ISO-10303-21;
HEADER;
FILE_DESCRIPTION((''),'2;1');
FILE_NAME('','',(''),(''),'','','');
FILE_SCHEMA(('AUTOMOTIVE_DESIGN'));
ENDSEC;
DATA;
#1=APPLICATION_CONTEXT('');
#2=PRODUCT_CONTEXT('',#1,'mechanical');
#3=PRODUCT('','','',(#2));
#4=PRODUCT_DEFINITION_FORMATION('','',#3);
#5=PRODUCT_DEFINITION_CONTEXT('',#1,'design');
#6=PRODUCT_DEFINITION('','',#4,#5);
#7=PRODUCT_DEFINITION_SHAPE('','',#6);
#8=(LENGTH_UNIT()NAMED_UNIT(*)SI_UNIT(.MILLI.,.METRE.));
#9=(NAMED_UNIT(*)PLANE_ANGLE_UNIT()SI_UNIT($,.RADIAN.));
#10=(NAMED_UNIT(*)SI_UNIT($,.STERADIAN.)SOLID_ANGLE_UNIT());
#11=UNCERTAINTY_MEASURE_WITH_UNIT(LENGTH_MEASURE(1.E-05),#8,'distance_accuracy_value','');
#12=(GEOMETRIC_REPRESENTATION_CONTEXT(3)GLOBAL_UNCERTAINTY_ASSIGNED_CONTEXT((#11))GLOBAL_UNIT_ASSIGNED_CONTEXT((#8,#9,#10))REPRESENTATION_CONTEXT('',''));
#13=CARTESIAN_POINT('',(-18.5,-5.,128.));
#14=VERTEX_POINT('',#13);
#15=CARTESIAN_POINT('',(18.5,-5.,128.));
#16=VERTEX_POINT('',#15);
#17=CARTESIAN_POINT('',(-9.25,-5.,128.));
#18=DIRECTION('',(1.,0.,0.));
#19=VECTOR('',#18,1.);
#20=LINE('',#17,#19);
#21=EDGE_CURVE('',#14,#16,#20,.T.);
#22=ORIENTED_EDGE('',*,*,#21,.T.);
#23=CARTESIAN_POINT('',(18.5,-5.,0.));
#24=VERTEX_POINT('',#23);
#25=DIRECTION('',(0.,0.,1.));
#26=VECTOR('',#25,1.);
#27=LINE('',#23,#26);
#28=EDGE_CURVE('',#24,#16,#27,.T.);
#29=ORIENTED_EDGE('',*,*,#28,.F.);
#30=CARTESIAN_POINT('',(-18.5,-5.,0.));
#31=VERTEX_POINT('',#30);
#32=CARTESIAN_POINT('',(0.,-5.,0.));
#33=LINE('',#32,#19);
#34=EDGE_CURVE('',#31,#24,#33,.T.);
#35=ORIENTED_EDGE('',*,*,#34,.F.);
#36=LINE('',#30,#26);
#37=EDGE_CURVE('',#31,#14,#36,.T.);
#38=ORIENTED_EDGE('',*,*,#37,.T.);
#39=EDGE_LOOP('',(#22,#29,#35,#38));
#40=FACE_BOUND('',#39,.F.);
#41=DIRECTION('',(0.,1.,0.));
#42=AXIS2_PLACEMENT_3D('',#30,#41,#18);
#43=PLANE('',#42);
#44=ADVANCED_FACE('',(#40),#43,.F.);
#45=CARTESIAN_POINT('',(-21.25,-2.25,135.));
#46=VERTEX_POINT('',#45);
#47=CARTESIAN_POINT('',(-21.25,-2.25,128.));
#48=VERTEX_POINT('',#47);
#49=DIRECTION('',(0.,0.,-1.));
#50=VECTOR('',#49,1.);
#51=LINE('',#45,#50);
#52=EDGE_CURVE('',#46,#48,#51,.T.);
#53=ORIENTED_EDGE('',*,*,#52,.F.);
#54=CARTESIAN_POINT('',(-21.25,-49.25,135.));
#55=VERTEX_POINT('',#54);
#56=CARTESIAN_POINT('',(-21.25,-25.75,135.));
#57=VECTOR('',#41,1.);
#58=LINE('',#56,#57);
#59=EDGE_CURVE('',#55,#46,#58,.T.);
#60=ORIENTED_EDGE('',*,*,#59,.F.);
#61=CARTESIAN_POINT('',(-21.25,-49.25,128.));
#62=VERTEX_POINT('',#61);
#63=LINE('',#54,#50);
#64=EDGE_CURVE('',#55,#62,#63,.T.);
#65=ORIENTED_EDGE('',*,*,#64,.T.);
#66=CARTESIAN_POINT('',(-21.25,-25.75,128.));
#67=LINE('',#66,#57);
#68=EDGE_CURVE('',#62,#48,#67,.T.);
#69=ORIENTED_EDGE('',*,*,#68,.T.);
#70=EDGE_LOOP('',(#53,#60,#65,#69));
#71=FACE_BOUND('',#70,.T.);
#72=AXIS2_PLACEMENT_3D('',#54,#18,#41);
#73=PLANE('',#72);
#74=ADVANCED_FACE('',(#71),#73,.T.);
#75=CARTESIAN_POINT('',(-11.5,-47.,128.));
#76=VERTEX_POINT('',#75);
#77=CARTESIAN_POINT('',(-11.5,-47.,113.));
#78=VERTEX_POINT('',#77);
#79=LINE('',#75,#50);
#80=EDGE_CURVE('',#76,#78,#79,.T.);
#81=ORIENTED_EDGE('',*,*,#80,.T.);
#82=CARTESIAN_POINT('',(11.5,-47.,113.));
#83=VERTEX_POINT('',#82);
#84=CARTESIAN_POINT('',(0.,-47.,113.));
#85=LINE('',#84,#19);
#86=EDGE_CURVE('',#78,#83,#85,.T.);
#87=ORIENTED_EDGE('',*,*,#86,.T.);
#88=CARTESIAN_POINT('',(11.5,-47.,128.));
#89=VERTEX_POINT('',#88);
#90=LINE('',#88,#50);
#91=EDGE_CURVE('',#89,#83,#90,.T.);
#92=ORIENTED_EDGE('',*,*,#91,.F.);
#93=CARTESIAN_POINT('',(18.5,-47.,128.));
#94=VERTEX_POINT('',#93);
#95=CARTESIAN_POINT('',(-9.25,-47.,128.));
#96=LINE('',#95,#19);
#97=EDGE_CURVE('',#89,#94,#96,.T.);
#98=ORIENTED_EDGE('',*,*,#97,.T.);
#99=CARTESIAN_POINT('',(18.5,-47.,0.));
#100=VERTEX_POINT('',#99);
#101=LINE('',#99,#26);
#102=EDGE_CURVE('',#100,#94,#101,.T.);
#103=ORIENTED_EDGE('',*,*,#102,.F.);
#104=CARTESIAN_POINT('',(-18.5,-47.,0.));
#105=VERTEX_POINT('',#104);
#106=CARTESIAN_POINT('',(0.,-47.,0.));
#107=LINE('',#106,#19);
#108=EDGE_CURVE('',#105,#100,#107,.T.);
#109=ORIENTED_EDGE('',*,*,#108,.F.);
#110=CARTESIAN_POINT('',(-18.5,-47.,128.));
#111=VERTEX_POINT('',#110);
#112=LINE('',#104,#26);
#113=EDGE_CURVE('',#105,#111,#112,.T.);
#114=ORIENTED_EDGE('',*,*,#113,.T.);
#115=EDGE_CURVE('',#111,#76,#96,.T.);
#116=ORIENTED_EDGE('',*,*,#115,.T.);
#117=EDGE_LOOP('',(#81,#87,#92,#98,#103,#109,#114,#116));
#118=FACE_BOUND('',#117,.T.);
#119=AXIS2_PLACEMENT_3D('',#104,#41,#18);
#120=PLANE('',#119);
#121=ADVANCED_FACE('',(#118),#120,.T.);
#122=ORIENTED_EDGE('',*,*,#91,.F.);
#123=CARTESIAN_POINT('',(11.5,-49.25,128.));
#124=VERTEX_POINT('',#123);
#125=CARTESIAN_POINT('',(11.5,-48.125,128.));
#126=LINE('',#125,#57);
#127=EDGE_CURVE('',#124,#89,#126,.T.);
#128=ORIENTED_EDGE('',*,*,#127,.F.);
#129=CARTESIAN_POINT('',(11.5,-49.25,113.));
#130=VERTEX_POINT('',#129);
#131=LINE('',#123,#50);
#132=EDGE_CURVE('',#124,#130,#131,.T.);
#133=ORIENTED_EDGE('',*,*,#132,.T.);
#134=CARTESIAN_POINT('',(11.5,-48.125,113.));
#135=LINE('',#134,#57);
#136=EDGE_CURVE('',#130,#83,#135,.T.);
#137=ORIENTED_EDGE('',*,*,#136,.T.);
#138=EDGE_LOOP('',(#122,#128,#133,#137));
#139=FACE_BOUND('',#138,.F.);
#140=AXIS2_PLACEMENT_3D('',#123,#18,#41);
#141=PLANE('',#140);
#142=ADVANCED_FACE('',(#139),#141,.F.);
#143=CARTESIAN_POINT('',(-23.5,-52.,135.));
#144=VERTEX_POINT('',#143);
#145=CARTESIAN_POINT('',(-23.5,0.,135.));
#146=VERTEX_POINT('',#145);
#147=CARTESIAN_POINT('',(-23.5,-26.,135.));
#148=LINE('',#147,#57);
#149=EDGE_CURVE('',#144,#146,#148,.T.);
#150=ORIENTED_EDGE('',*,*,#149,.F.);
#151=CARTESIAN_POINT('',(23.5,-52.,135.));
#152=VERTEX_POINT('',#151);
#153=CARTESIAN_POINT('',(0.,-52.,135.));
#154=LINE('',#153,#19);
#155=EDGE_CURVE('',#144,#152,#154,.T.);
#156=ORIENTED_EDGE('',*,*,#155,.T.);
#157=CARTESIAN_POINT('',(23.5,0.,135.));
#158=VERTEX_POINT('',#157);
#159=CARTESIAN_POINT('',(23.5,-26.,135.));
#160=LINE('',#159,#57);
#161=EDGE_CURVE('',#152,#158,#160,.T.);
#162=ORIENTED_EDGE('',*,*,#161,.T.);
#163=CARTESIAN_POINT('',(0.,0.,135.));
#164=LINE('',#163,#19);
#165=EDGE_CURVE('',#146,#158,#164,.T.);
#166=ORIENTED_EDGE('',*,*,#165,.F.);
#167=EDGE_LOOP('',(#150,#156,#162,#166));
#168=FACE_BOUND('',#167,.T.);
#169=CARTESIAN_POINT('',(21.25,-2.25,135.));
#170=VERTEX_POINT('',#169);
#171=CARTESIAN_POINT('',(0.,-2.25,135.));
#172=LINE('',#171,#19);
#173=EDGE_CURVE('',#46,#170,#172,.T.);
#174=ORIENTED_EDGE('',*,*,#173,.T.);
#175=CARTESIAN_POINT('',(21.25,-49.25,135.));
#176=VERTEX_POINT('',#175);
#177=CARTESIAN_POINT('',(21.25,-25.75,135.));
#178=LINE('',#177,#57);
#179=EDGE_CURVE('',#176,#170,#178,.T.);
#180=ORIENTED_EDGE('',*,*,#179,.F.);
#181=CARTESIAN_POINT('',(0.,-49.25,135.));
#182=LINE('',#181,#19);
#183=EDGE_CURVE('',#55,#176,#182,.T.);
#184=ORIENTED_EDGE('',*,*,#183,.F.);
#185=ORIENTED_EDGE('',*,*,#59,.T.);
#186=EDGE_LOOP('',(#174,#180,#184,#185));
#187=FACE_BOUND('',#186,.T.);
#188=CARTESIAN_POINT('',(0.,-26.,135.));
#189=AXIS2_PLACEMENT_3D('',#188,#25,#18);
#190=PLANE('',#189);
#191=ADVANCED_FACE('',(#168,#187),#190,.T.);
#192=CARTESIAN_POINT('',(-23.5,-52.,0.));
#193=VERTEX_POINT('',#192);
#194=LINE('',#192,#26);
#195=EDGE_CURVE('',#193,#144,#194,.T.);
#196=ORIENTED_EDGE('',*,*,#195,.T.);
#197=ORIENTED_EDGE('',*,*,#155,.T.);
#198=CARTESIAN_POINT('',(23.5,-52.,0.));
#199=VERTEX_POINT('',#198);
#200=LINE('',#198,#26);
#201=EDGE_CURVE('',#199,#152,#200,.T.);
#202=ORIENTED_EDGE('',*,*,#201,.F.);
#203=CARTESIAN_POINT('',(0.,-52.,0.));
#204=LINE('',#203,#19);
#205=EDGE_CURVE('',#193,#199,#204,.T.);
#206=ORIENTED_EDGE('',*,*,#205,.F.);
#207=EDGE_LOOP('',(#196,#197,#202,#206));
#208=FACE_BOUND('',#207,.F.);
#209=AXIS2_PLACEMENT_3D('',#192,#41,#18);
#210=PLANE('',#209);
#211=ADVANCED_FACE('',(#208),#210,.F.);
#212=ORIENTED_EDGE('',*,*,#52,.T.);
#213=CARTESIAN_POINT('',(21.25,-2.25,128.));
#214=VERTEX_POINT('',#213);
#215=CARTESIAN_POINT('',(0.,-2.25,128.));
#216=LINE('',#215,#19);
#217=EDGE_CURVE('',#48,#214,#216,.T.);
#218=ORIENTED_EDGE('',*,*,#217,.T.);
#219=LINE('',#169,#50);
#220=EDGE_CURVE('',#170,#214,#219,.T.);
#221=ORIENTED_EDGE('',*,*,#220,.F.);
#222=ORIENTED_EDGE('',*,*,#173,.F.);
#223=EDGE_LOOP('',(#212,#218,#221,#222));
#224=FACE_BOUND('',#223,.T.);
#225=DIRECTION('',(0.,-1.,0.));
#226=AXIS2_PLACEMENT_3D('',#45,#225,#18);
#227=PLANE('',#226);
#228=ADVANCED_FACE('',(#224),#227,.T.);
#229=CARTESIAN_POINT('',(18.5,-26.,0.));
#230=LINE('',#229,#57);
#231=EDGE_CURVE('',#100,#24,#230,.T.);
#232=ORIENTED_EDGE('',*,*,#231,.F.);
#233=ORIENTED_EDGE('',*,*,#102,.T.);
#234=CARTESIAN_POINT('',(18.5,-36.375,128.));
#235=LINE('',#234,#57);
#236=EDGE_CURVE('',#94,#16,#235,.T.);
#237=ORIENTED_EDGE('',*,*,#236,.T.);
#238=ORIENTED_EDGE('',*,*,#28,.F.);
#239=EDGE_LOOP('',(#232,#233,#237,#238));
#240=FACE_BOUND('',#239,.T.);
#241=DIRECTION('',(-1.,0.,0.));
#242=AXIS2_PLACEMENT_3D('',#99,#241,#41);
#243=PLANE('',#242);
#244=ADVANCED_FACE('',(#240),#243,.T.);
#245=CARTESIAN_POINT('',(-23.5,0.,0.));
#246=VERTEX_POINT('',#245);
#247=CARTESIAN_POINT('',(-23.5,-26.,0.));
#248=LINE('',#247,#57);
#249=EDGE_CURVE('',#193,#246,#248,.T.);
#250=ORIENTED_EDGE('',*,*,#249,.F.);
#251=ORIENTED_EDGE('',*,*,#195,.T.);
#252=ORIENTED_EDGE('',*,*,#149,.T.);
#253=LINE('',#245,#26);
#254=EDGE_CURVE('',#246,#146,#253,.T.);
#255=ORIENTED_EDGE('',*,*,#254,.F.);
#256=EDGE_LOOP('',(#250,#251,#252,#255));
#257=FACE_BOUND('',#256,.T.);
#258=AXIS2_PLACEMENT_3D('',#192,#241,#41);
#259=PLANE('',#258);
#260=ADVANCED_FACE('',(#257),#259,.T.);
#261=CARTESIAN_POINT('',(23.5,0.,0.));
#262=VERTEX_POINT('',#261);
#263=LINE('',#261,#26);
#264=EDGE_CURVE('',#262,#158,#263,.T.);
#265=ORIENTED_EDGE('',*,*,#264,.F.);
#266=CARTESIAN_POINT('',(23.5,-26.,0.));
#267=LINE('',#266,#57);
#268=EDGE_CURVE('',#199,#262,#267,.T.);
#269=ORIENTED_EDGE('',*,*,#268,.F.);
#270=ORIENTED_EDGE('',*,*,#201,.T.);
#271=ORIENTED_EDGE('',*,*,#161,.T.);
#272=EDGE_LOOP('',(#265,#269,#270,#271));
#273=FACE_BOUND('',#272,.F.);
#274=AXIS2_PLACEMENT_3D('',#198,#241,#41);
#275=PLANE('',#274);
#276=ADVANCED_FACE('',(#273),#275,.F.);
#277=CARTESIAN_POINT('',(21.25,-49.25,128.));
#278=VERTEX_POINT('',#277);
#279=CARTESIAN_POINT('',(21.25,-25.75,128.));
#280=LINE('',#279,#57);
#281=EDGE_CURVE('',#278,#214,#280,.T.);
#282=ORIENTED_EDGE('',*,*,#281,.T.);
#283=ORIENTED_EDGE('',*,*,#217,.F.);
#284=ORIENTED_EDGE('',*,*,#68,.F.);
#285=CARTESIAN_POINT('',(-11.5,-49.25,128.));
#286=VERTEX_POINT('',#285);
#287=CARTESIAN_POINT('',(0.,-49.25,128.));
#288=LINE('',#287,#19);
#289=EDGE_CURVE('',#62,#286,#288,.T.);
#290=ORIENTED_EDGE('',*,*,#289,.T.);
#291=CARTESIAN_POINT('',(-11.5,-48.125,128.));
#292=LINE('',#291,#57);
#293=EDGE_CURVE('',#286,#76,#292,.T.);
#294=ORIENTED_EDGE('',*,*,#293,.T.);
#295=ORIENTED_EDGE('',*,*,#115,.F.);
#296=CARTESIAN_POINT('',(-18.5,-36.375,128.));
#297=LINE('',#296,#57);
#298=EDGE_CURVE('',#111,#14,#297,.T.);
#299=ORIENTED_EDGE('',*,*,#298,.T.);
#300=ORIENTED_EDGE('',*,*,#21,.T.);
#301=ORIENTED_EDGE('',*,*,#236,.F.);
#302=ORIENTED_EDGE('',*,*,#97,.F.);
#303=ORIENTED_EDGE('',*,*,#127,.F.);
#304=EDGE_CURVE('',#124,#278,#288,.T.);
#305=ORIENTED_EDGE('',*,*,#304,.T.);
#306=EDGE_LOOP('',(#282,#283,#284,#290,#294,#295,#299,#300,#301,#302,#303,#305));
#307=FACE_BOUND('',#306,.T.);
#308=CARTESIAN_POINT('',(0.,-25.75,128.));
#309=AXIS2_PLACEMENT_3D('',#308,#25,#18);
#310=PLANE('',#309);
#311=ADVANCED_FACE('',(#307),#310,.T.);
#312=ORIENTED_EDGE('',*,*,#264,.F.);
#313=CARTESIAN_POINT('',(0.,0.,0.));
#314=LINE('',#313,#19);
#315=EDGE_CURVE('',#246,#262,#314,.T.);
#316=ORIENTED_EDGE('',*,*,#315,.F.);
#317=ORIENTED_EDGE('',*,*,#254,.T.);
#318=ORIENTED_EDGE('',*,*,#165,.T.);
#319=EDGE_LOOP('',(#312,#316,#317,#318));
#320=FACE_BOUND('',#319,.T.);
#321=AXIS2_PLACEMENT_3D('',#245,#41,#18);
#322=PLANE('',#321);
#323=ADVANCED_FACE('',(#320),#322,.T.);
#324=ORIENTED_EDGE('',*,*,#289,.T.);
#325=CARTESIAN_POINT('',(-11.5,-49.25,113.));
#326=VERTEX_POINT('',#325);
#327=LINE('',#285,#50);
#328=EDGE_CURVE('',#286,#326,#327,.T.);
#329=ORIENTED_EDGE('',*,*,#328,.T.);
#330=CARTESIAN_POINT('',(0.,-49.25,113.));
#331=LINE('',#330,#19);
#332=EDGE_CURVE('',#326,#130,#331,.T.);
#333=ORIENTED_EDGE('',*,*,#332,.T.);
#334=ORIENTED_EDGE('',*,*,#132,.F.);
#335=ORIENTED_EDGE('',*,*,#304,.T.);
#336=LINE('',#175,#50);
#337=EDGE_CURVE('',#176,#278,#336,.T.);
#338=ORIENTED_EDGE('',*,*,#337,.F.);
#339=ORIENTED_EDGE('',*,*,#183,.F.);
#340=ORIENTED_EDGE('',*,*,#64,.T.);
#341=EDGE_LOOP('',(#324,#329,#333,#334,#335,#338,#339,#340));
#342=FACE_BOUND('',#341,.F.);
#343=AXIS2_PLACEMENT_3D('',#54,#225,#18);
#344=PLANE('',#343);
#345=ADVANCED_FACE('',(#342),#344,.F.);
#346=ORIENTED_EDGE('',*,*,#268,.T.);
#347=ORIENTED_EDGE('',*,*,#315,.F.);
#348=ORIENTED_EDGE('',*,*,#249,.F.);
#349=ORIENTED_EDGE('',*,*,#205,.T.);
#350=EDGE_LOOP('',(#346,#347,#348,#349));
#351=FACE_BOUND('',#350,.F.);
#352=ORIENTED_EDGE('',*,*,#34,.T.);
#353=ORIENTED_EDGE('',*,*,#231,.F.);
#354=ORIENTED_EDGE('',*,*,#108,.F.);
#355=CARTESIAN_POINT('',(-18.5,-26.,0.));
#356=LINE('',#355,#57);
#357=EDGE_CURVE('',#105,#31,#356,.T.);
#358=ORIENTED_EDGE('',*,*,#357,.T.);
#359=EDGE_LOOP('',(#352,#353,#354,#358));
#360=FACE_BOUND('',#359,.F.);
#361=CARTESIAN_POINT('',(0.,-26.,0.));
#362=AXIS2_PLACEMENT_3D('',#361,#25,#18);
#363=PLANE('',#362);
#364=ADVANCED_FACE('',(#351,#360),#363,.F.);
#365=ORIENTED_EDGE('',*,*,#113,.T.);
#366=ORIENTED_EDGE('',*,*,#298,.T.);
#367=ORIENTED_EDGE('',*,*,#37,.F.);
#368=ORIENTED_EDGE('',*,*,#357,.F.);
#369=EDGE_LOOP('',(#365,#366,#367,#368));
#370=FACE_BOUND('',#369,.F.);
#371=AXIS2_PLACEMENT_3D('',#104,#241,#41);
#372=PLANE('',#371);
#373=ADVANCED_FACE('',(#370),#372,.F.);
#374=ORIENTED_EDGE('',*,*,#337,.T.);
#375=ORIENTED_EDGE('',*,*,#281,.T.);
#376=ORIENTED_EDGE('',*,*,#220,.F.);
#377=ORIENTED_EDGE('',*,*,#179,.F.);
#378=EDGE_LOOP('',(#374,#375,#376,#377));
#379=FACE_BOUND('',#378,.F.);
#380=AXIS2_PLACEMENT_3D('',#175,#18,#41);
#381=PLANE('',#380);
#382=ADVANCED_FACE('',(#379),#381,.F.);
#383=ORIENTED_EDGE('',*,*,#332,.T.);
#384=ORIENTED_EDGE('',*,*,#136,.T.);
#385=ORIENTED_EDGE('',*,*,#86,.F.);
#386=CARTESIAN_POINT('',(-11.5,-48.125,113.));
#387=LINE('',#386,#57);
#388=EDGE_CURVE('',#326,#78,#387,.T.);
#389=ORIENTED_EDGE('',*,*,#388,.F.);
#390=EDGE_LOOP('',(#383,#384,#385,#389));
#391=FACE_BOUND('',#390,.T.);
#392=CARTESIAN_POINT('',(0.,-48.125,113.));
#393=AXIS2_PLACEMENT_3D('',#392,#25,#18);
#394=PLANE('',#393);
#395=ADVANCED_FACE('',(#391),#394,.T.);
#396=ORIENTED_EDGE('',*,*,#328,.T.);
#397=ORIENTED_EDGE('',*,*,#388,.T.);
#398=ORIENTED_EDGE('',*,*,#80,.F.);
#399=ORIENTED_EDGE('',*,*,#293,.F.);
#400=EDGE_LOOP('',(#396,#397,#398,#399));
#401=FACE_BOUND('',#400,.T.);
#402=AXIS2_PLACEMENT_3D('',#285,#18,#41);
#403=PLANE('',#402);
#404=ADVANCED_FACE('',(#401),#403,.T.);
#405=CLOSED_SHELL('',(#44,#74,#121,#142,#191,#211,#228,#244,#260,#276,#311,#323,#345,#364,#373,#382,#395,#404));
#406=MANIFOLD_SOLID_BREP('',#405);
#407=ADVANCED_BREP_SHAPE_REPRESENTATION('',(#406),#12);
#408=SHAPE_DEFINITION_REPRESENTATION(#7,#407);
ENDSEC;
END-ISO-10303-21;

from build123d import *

# Parameters (mm, degrees)
SKETCH110_W     = 47
SKETCH110_H     = 52
SKETCH110_W_2   = 37
SKETCH110_H_2   = 42
PAD057_DEPTH    = 135
SKETCH111_W     = 42.5
SKETCH111_H     = 47
POCKET049_DEPTH = 7
SKETCH117_W     = 23
SKETCH117_H     = 2.25
POCKET_DEPTH    = 15


with BuildPart() as part:
    # Sketch110 → Pad057 (new body)
    with BuildSketch(Plane.XY):
        with Locations((0, -26)):
            Rectangle(SKETCH110_W, SKETCH110_H)
        with Locations((0, -26)):
            Rectangle(SKETCH110_W_2, SKETCH110_H_2, mode=Mode.SUBTRACT)
    extrude(amount=PAD057_DEPTH)

    # Sketch111 (on Face10 of Pad057) → Pocket049 (cut)
    with BuildSketch(Plane.XY.offset(135)):
        with Locations((0, -25.75)):
            Rectangle(SKETCH111_W, SKETCH111_H)
    extrude(amount=-POCKET049_DEPTH, mode=Mode.SUBTRACT)

    # Sketch117 (on Face15 of Pocket049) → Pocket (cut)
    with BuildSketch(Plane.XY.offset(128)):
        with Locations((0, -48.125)):
            Rectangle(SKETCH117_W, SKETCH117_H)
    extrude(amount=-POCKET_DEPTH, mode=Mode.SUBTRACT)


solid = part.part
